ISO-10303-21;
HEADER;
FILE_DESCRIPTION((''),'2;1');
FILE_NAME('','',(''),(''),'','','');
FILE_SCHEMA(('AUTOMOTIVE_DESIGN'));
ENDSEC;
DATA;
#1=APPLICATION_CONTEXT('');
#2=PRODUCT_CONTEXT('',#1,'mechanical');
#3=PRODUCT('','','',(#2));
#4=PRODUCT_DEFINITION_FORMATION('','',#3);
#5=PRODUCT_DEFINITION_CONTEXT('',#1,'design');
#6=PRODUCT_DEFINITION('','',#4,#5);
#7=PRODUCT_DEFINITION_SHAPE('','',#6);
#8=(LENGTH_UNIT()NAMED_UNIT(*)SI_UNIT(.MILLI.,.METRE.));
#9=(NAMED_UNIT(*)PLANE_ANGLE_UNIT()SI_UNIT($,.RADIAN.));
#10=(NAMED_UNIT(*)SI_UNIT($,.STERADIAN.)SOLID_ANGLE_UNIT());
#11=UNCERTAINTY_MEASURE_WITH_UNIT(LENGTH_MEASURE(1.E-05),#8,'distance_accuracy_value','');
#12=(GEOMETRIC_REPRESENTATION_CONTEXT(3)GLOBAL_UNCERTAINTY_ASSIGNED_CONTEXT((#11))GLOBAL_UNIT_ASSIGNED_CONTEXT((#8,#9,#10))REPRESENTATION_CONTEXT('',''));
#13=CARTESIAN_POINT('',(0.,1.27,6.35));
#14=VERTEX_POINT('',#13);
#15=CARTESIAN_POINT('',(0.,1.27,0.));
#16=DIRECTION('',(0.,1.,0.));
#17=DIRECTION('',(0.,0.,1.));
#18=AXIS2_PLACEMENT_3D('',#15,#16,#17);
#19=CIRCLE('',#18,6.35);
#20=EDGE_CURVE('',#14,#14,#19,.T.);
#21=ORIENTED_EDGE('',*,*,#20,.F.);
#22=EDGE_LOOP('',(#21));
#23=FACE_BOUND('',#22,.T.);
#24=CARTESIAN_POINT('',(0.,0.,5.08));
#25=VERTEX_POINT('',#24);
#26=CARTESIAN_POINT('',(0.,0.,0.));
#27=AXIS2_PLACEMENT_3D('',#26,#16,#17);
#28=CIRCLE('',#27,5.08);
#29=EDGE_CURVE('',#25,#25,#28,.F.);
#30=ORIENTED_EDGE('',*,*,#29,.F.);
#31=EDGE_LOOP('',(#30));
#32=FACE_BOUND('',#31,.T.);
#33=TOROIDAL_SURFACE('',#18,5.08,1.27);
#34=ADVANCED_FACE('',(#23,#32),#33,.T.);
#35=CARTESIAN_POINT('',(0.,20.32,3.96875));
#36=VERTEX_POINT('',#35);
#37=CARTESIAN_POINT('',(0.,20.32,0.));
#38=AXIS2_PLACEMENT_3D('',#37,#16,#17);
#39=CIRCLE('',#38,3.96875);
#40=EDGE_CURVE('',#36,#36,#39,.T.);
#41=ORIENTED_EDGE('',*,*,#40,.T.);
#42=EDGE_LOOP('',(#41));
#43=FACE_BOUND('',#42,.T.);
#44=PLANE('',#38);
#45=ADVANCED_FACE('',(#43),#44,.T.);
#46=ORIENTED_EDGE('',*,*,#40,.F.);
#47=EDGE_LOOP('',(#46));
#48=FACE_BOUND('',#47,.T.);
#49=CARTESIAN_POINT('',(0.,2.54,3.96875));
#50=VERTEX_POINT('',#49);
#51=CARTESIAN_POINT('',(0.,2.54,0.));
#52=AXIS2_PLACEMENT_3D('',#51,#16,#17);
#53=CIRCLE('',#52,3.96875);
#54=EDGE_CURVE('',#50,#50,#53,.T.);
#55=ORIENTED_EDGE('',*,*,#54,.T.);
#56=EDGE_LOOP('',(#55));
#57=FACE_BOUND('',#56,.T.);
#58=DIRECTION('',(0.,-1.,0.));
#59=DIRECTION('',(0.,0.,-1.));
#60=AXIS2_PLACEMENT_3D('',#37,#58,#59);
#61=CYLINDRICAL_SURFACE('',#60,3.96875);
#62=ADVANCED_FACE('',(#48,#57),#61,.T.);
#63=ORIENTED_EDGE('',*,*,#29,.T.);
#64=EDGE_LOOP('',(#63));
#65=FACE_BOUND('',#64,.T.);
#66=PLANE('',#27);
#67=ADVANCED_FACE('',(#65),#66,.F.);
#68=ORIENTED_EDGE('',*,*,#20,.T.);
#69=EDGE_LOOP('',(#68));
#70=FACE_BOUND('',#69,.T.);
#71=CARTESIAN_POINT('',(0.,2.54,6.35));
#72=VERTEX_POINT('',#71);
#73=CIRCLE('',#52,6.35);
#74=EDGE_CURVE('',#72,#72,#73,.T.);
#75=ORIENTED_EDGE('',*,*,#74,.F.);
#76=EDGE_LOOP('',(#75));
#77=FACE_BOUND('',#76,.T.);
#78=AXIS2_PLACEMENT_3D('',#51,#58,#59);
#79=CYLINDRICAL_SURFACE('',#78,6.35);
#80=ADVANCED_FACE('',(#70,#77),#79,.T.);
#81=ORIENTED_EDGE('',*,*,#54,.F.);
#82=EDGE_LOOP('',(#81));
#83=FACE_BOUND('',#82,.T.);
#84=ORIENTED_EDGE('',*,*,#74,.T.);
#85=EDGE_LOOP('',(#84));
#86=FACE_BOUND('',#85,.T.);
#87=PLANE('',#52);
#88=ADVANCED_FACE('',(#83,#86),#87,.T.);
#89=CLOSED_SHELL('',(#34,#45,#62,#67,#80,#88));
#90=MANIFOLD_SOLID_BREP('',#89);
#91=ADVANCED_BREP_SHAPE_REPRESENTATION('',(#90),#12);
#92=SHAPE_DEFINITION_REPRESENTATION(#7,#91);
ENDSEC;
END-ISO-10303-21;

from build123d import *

# Parameters (mm, degrees)
SKETCH1_R           = 6.35
BOSS_EXTRUDE1_DEPTH = 2.54
FILLET2_R           = 1.27
SKETCH2_R           = 3.96875
BOSS_EXTRUDE3_DEPTH = 17.78


with BuildPart() as part:
    # Sketch1 → Boss-Extrude1 (new body)
    with BuildSketch(Plane(origin=(0, 0, 0), x_dir=(1, 0, 0), z_dir=(0, 1, 0))):
        Circle(SKETCH1_R)
    extrude(amount=BOSS_EXTRUDE1_DEPTH)

    # Fillet2
    fillet2_edges = [part.edges().sort_by_distance(p)[0] for p in [
        (-6.35, 0, 0),
    ]]
    fillet(fillet2_edges, radius=FILLET2_R)

    # Sketch2 → Boss-Extrude3 (add)
    with BuildSketch(Plane(origin=(0, 2.54, 0), x_dir=(1, 0, 0), z_dir=(0, 1, 0))):
        Circle(SKETCH2_R)
    extrude(amount=BOSS_EXTRUDE3_DEPTH)


solid = part.part
